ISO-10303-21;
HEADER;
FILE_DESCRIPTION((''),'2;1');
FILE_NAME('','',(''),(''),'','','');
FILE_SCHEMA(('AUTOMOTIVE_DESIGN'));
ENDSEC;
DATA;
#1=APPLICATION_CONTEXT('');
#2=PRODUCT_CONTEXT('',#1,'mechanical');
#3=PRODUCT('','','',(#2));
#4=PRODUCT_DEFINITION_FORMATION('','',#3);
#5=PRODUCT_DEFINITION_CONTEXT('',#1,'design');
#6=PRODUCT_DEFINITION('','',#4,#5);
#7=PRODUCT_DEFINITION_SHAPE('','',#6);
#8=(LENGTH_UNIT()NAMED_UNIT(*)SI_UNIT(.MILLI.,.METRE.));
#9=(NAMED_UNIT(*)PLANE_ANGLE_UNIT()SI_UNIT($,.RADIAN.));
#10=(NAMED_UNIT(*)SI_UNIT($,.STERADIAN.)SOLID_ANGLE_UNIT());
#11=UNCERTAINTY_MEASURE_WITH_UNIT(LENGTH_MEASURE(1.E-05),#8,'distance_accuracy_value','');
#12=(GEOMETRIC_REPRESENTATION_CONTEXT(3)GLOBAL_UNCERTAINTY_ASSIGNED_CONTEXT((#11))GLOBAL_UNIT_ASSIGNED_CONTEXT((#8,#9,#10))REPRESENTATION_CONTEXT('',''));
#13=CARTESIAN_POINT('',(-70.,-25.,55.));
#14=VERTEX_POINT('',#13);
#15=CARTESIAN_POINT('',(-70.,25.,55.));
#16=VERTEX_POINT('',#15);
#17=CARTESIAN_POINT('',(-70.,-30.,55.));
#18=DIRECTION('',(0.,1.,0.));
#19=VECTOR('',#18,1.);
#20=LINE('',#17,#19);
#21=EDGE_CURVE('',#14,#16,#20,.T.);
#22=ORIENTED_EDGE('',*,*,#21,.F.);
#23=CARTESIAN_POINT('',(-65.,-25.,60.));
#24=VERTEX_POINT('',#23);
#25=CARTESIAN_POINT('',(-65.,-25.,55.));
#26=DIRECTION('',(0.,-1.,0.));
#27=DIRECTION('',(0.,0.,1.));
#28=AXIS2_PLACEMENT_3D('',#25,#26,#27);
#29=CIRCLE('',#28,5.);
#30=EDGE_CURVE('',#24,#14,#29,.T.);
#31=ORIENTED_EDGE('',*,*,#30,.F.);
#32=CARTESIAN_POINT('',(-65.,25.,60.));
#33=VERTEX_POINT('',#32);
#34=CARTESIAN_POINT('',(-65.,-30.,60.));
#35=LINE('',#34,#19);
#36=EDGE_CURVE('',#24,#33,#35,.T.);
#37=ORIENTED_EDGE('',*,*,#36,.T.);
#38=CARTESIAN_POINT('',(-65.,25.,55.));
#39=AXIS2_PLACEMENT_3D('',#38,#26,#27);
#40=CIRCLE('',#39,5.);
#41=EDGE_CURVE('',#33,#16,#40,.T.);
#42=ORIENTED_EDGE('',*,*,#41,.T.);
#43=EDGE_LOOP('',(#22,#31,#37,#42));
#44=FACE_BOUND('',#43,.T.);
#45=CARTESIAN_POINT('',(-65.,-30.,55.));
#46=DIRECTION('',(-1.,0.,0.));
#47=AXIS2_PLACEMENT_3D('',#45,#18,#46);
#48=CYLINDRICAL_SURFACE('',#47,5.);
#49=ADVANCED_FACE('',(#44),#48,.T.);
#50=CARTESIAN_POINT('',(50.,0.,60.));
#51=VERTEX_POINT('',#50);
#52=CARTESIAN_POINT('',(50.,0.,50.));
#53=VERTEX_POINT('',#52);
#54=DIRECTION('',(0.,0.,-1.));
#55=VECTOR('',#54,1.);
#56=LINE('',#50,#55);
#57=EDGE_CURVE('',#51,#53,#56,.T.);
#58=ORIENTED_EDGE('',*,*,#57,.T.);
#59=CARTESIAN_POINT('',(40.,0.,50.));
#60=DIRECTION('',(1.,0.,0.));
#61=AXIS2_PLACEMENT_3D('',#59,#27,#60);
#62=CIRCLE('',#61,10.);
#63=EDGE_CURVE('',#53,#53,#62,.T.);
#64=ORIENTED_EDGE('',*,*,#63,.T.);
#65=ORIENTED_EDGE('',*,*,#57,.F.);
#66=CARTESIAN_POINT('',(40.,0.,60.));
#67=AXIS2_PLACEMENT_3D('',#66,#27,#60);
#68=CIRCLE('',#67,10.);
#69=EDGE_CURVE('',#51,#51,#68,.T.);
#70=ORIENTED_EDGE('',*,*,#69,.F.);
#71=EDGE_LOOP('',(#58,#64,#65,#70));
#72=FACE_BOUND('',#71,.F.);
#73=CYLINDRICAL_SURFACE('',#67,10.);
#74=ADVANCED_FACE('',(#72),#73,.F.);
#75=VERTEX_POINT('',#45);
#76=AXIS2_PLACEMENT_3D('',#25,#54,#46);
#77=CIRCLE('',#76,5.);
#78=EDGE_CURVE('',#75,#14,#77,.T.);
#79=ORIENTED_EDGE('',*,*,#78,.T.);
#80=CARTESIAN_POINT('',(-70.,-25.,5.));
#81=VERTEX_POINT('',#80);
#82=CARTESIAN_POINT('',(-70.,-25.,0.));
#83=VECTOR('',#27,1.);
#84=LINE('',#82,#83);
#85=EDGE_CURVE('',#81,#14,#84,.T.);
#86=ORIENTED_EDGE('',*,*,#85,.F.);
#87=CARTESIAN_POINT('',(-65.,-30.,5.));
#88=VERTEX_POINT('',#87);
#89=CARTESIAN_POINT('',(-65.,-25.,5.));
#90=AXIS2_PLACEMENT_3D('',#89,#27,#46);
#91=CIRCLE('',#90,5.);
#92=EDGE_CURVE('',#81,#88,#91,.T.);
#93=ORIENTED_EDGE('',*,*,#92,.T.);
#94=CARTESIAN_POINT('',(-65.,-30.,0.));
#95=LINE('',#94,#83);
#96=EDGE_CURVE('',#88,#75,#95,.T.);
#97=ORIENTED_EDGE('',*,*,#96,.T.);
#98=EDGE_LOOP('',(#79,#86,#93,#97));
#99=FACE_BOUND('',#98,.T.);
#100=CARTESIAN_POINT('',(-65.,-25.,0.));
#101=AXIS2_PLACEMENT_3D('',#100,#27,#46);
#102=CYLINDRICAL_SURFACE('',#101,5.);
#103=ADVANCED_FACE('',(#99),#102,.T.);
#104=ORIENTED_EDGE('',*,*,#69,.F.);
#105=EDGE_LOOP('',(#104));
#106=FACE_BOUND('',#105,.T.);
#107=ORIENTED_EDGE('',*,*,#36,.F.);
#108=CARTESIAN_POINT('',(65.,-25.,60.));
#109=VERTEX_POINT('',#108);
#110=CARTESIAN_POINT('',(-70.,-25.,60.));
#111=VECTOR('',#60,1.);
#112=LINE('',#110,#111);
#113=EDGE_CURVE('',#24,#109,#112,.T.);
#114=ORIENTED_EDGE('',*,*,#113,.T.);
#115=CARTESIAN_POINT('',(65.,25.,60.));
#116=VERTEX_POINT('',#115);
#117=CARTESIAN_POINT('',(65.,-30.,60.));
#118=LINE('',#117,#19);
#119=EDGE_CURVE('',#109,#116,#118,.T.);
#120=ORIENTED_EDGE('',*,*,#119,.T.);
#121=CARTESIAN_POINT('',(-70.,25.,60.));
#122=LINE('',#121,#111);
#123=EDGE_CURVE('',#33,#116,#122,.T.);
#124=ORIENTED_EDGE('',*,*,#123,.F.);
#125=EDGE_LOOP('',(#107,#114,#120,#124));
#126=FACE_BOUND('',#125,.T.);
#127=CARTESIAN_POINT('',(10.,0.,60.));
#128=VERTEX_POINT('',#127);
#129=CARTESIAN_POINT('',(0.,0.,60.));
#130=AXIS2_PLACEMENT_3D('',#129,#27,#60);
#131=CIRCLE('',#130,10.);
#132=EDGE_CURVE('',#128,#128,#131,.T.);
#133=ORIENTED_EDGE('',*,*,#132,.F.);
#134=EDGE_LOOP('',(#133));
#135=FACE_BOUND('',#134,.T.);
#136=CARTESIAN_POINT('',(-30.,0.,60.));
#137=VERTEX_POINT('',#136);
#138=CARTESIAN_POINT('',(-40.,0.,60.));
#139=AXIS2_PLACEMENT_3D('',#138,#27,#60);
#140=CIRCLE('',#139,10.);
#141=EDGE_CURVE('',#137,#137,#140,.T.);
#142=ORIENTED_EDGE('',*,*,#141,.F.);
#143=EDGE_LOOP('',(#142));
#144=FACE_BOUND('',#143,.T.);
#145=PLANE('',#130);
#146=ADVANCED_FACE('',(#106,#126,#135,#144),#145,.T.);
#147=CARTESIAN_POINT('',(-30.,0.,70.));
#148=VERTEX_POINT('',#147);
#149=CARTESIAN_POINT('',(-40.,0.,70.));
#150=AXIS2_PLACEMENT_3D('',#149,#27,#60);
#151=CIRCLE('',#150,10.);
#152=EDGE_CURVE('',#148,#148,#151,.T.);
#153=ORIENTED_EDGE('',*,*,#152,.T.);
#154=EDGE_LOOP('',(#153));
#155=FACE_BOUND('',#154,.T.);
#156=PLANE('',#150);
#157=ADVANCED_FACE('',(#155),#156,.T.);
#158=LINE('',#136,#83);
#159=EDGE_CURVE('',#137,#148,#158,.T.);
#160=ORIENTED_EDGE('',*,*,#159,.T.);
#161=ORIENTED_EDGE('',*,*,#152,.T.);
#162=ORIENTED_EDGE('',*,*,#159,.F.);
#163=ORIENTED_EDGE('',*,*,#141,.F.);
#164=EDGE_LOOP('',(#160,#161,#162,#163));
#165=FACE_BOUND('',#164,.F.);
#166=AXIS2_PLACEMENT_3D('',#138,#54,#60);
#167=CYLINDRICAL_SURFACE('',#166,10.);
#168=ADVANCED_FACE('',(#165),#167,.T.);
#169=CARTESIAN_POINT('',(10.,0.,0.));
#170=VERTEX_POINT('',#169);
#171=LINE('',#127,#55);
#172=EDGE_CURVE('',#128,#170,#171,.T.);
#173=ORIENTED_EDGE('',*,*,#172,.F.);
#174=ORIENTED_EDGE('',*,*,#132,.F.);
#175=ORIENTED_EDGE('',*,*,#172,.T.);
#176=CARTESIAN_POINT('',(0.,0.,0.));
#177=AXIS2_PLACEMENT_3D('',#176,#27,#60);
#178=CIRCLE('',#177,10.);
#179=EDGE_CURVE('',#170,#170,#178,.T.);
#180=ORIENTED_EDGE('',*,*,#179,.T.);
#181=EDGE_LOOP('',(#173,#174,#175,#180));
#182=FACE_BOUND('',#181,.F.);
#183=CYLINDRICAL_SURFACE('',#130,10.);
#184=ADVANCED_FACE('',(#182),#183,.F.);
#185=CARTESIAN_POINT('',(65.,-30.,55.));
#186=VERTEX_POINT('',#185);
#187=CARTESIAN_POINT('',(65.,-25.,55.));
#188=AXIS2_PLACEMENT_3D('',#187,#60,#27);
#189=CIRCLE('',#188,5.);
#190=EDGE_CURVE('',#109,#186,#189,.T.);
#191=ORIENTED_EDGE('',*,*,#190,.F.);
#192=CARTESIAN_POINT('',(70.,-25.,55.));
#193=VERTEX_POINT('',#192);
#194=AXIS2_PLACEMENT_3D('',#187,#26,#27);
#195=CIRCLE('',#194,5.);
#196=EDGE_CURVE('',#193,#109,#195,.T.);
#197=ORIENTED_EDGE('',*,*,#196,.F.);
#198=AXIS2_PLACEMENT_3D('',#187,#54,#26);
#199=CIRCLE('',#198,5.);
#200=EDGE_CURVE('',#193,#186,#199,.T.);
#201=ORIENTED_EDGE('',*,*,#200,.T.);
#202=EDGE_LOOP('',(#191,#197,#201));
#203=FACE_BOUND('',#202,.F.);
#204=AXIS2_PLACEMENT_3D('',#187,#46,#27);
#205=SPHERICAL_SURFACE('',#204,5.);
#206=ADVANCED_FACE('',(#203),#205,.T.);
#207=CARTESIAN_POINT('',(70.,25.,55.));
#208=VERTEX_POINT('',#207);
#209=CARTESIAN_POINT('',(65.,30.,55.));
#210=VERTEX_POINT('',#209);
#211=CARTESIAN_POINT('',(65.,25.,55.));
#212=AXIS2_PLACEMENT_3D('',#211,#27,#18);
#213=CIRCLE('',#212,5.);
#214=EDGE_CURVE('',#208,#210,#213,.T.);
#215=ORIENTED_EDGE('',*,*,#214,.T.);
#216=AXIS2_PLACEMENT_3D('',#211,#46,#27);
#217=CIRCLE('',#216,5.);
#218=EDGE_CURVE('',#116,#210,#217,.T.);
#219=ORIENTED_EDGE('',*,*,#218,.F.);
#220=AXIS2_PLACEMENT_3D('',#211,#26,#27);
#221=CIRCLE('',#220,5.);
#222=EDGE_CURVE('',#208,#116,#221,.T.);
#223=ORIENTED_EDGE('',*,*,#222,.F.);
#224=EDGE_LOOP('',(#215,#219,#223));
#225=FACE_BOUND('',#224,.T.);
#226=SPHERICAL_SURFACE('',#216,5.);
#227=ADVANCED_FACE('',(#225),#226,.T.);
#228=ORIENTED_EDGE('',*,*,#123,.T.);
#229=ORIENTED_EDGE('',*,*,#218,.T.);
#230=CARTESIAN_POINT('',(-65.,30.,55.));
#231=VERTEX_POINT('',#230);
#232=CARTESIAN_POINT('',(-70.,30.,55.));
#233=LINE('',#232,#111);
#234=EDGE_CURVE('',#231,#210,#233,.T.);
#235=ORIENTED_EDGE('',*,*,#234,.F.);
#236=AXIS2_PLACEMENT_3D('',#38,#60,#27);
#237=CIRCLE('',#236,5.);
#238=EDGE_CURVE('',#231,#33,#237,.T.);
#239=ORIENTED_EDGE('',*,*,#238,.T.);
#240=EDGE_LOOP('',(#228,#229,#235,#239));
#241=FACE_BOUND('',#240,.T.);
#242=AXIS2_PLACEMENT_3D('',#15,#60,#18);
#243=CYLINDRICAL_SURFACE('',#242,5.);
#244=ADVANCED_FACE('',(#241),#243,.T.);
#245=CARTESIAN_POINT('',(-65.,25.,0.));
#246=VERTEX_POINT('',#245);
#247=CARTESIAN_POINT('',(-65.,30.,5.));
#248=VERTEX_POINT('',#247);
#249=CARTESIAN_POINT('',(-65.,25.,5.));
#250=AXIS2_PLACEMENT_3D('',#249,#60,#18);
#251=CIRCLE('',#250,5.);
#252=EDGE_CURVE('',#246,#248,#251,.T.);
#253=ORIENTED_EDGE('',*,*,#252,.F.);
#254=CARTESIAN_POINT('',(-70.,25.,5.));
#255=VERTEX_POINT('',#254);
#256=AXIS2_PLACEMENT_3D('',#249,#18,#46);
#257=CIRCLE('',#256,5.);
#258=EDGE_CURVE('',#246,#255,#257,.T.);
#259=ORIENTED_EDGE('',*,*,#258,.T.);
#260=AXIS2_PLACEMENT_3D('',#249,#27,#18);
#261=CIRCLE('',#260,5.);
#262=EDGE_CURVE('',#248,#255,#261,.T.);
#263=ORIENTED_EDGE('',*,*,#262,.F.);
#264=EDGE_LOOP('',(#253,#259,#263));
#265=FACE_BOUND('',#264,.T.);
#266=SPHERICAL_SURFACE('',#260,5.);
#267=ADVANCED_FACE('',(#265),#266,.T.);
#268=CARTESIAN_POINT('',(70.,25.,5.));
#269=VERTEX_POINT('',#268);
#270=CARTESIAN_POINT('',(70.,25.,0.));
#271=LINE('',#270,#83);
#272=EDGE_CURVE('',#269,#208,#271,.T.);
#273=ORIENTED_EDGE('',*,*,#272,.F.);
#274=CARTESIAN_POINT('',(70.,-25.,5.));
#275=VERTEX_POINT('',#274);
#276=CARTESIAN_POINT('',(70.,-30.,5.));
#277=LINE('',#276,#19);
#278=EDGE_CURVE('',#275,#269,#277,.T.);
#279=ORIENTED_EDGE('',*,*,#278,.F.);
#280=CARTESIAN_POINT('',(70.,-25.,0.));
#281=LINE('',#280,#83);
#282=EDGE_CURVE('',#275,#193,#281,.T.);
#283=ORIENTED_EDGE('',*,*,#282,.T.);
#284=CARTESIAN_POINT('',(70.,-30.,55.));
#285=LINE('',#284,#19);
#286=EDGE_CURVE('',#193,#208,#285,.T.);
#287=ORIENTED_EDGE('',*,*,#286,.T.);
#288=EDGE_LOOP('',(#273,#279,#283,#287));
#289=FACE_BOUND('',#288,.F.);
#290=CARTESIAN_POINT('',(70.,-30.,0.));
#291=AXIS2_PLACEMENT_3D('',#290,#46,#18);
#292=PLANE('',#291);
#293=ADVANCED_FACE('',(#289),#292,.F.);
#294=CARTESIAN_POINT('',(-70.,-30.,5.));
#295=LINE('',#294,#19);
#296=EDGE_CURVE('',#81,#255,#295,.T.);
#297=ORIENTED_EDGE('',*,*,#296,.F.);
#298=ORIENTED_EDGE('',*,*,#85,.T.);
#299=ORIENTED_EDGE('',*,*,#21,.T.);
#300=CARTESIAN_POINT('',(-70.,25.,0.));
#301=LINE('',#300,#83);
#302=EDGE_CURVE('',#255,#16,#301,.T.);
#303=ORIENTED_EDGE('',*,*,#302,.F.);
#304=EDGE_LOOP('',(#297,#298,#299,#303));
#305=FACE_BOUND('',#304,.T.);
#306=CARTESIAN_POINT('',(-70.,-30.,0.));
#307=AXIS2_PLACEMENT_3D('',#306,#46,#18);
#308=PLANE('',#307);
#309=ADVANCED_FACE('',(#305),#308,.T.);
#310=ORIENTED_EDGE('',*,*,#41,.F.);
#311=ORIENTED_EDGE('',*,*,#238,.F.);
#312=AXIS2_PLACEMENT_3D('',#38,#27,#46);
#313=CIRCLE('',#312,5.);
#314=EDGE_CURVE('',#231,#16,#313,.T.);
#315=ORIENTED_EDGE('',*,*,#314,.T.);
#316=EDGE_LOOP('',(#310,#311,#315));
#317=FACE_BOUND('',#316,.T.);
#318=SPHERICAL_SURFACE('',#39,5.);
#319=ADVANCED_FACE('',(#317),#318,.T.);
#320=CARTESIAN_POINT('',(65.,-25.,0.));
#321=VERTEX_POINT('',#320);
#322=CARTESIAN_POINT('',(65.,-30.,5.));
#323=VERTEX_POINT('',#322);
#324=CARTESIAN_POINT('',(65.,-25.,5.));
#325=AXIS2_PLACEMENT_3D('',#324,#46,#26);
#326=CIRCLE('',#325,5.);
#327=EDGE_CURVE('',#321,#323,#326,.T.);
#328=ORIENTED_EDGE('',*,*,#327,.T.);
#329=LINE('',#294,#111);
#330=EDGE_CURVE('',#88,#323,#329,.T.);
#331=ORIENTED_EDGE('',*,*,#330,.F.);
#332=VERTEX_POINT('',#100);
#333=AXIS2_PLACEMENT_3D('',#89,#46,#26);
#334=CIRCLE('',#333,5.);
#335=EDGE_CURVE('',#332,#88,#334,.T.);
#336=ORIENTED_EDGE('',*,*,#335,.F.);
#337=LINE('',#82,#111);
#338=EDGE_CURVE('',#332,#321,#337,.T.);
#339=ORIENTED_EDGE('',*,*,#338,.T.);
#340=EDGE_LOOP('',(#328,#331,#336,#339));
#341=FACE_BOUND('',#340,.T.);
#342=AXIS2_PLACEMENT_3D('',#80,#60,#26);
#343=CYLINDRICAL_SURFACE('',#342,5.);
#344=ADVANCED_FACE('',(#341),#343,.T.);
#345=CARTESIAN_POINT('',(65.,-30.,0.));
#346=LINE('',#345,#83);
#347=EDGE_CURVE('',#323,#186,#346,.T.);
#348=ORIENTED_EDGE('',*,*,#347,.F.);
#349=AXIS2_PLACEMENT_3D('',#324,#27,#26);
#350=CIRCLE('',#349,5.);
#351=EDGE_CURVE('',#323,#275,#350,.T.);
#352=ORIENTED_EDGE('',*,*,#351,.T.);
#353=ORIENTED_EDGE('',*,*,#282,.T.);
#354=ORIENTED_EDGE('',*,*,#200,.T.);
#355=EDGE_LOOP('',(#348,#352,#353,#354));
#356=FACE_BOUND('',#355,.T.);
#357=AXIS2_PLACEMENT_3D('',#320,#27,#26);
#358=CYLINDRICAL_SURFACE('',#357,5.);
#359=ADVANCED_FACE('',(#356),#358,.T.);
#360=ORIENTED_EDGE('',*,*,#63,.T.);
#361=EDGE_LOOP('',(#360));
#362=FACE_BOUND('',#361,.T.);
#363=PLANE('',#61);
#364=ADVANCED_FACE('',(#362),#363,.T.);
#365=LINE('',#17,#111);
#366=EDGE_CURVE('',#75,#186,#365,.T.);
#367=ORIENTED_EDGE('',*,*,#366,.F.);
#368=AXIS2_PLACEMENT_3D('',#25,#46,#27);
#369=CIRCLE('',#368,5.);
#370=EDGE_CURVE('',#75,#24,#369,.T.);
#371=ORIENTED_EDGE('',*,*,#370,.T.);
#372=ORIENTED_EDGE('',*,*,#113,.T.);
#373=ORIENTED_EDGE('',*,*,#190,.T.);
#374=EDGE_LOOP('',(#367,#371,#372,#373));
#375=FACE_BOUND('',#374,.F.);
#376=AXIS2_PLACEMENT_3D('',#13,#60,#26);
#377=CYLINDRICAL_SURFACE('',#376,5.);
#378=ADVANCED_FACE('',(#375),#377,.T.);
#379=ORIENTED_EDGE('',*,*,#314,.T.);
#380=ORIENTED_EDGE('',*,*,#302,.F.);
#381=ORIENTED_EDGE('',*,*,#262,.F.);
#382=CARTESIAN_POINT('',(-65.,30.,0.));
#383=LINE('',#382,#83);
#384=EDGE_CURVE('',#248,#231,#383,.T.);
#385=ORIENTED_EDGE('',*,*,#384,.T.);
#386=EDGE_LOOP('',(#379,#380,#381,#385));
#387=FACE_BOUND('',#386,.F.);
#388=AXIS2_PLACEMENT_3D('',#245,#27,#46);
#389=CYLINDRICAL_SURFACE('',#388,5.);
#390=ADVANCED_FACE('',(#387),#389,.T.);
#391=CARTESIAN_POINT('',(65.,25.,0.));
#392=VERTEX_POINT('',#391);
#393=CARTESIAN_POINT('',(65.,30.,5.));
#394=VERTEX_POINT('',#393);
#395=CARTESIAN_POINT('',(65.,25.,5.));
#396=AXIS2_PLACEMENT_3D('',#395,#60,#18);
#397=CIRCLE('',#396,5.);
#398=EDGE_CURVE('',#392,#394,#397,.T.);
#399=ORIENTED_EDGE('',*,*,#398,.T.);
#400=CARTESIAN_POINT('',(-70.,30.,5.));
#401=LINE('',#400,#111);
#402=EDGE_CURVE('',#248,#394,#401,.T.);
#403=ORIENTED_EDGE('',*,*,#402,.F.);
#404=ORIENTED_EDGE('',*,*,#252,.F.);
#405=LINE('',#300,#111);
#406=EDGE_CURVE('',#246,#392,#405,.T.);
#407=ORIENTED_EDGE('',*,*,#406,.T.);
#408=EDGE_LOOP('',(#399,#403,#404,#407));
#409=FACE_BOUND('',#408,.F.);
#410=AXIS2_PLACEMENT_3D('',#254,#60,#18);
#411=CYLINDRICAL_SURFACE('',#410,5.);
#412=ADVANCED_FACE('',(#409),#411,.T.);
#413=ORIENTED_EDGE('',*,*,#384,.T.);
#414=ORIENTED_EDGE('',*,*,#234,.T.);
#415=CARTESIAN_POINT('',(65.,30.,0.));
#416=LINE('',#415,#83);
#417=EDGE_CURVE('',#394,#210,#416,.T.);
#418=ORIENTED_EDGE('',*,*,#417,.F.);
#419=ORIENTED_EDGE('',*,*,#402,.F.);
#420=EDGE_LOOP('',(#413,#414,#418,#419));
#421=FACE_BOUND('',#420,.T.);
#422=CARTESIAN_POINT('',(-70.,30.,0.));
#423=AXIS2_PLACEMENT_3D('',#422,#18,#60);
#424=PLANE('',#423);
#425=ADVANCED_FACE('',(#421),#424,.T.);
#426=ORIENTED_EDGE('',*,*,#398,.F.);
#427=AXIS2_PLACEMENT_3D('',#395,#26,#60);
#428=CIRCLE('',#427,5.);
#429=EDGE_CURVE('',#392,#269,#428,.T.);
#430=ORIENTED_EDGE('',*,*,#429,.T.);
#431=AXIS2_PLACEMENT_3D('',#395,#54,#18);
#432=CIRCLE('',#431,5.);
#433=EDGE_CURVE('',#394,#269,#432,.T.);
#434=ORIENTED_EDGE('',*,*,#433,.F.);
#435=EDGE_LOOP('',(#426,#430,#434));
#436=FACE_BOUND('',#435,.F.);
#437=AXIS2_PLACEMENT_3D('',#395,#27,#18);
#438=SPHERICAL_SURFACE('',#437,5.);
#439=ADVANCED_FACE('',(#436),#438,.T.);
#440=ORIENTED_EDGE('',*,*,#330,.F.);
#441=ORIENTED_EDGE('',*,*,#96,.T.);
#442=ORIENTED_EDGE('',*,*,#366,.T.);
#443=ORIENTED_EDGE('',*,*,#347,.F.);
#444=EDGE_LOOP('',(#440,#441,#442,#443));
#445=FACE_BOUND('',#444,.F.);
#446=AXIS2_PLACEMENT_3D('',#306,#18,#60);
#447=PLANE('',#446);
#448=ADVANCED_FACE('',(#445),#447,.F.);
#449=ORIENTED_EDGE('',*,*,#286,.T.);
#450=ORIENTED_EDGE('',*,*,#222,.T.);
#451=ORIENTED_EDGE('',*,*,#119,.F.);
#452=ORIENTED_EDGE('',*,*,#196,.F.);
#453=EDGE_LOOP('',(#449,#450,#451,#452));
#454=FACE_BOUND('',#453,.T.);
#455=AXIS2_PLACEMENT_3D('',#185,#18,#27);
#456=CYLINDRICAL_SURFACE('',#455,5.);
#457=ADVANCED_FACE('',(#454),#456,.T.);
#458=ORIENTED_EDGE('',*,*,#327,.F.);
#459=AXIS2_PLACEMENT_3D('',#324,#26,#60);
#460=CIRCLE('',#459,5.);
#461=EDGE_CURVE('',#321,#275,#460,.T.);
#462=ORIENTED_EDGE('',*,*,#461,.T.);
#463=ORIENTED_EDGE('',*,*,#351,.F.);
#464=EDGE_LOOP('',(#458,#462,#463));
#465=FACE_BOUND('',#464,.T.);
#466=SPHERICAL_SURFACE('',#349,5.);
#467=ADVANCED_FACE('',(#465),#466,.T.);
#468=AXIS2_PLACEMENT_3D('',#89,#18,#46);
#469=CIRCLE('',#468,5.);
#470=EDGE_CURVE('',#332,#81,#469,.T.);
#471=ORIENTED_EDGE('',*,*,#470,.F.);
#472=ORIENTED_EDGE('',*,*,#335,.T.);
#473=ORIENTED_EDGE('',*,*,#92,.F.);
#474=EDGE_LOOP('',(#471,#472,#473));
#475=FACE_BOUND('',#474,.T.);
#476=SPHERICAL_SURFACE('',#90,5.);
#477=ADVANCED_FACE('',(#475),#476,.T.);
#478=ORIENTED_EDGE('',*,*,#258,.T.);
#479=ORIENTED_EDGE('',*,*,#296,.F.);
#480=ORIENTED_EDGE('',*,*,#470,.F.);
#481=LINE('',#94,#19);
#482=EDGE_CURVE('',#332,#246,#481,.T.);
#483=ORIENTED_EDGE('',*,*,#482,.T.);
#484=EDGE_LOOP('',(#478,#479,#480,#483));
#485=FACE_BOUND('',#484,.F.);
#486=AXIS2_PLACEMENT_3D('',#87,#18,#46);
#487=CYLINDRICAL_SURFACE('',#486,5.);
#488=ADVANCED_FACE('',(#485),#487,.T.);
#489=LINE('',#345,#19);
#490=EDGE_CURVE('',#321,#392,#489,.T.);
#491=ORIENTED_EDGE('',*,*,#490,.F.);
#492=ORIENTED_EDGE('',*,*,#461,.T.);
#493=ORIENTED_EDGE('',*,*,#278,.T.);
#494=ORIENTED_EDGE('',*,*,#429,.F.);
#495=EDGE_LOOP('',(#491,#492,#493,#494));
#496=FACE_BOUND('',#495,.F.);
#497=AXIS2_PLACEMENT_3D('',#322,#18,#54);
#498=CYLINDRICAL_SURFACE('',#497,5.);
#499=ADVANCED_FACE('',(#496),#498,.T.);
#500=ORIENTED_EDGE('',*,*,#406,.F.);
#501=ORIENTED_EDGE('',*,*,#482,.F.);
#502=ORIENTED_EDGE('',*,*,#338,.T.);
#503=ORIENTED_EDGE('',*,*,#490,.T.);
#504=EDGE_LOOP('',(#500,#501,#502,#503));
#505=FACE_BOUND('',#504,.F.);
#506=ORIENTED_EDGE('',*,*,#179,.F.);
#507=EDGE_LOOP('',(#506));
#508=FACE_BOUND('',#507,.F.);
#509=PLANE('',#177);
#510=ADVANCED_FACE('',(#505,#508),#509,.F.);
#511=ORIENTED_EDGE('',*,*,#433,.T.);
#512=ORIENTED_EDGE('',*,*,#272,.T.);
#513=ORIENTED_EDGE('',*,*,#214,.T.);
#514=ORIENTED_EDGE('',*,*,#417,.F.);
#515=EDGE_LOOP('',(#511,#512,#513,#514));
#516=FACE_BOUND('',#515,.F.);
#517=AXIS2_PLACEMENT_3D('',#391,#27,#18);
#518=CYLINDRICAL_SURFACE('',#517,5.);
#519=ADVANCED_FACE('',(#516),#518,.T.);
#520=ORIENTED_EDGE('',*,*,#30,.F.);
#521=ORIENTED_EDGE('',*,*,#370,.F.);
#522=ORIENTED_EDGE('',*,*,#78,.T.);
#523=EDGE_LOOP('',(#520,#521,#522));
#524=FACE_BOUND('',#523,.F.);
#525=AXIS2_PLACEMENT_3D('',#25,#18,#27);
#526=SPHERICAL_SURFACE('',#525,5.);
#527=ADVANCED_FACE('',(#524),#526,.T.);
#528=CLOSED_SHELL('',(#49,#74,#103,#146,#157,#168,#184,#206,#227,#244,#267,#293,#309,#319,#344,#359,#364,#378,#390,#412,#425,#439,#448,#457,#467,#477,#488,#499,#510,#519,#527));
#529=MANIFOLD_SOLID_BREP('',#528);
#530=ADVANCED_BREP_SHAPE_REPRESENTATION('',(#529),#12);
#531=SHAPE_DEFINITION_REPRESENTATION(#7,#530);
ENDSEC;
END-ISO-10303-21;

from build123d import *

# Parameters (mm, degrees)
F0_W     = 140
F0_H     = 60
F1_DEPTH = 60
F2_R     = 10
F5_DEPTH = 10
F3_R     = 10
F6_DEPTH = 10
F4_R     = 10
F7_DEPTH = 95.7
F8_R     = 5


with BuildPart() as f1:
    # F0 (on Top) → F1 (new body)
    with BuildSketch(Plane.XY):
        Rectangle(F0_W, F0_H)
    extrude(amount=F1_DEPTH)

    # F2 (on face) → F5 (join)
    with BuildSketch(Plane.XY.offset(60)):
        with Locations((-40, 0)):
            Circle(F2_R)
    extrude(amount=F5_DEPTH)

    # F3 (on face) → F6 (cut)
    with BuildSketch(Plane.XY.offset(60)):
        with Locations((40, 0)):
            Circle(F3_R)
    extrude(amount=-F6_DEPTH, mode=Mode.SUBTRACT)

    # F4 (on face) → F7 (cut)
    with BuildSketch(Plane.XY.offset(60)):
        Circle(F4_R)
    extrude(amount=-F7_DEPTH, mode=Mode.SUBTRACT)

    # F8
    f8_edges = [f1.edges().sort_by_distance(p)[0] for p in [
        (-70, 0, 60),
        (0, -30, 60),
        (0, 30, 60),
        (70, 0, 60),
        (-70, -30, 30),
        (70, -30, 30),
        (-70, 30, 30),
        (70, 30, 30),
        (0, 30, 0),
        (-70, 0, 0),
        (0, -30, 0),
        (70, 0, 0),
    ]]
    fillet(f8_edges, radius=F8_R)


solid = f1.part
